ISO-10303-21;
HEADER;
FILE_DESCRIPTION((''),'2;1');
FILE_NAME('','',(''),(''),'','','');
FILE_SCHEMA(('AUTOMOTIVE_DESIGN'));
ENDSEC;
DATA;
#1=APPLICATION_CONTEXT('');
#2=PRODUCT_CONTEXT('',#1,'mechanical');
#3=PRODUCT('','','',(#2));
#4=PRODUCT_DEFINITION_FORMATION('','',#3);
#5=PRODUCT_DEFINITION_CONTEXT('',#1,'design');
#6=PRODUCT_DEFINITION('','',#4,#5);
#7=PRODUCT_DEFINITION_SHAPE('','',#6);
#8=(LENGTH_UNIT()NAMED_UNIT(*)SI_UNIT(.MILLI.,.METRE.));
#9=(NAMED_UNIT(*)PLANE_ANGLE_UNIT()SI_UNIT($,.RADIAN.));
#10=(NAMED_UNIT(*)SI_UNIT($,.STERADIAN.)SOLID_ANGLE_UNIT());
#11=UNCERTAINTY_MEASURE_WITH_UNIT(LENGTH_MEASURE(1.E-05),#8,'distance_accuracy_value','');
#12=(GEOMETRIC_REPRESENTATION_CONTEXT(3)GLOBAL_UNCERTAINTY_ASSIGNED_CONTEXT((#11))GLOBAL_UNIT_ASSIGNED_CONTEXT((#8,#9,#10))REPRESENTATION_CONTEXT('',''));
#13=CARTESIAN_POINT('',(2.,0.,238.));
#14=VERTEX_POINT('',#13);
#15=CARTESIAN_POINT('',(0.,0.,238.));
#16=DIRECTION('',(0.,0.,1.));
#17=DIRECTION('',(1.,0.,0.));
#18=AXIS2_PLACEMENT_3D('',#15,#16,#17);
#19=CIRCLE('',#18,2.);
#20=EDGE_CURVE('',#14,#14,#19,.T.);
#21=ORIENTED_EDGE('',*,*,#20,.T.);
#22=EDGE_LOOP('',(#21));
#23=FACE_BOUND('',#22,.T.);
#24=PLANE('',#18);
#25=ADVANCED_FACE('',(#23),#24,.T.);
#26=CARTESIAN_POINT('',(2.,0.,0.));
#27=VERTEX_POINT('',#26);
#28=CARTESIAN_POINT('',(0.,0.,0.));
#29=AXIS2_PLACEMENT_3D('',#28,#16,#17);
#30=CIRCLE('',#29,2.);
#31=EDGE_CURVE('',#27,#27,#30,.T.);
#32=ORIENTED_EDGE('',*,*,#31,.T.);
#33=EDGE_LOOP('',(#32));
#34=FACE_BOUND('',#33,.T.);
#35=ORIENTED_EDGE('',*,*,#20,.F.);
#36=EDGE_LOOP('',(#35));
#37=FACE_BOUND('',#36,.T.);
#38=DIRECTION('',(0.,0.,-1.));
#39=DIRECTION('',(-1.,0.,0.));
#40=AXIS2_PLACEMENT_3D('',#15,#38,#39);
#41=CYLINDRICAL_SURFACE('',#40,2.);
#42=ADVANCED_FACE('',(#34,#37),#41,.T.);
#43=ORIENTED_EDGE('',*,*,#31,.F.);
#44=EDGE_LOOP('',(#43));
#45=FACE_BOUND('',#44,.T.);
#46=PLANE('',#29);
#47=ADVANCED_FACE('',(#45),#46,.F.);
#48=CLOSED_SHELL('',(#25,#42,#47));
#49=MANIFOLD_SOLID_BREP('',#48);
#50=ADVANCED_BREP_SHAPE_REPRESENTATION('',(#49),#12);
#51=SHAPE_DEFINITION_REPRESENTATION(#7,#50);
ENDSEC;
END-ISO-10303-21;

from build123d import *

# Parameters (mm, degrees)
ESQUISSE1_R        = 2
BOSS_EXTRU_1_DEPTH = 238


with BuildPart() as part:
    # Esquisse1 → Boss.-Extru.1 (new body)
    with BuildSketch(Plane.XY):
        Circle(ESQUISSE1_R)
    extrude(amount=BOSS_EXTRU_1_DEPTH)


solid = part.part
